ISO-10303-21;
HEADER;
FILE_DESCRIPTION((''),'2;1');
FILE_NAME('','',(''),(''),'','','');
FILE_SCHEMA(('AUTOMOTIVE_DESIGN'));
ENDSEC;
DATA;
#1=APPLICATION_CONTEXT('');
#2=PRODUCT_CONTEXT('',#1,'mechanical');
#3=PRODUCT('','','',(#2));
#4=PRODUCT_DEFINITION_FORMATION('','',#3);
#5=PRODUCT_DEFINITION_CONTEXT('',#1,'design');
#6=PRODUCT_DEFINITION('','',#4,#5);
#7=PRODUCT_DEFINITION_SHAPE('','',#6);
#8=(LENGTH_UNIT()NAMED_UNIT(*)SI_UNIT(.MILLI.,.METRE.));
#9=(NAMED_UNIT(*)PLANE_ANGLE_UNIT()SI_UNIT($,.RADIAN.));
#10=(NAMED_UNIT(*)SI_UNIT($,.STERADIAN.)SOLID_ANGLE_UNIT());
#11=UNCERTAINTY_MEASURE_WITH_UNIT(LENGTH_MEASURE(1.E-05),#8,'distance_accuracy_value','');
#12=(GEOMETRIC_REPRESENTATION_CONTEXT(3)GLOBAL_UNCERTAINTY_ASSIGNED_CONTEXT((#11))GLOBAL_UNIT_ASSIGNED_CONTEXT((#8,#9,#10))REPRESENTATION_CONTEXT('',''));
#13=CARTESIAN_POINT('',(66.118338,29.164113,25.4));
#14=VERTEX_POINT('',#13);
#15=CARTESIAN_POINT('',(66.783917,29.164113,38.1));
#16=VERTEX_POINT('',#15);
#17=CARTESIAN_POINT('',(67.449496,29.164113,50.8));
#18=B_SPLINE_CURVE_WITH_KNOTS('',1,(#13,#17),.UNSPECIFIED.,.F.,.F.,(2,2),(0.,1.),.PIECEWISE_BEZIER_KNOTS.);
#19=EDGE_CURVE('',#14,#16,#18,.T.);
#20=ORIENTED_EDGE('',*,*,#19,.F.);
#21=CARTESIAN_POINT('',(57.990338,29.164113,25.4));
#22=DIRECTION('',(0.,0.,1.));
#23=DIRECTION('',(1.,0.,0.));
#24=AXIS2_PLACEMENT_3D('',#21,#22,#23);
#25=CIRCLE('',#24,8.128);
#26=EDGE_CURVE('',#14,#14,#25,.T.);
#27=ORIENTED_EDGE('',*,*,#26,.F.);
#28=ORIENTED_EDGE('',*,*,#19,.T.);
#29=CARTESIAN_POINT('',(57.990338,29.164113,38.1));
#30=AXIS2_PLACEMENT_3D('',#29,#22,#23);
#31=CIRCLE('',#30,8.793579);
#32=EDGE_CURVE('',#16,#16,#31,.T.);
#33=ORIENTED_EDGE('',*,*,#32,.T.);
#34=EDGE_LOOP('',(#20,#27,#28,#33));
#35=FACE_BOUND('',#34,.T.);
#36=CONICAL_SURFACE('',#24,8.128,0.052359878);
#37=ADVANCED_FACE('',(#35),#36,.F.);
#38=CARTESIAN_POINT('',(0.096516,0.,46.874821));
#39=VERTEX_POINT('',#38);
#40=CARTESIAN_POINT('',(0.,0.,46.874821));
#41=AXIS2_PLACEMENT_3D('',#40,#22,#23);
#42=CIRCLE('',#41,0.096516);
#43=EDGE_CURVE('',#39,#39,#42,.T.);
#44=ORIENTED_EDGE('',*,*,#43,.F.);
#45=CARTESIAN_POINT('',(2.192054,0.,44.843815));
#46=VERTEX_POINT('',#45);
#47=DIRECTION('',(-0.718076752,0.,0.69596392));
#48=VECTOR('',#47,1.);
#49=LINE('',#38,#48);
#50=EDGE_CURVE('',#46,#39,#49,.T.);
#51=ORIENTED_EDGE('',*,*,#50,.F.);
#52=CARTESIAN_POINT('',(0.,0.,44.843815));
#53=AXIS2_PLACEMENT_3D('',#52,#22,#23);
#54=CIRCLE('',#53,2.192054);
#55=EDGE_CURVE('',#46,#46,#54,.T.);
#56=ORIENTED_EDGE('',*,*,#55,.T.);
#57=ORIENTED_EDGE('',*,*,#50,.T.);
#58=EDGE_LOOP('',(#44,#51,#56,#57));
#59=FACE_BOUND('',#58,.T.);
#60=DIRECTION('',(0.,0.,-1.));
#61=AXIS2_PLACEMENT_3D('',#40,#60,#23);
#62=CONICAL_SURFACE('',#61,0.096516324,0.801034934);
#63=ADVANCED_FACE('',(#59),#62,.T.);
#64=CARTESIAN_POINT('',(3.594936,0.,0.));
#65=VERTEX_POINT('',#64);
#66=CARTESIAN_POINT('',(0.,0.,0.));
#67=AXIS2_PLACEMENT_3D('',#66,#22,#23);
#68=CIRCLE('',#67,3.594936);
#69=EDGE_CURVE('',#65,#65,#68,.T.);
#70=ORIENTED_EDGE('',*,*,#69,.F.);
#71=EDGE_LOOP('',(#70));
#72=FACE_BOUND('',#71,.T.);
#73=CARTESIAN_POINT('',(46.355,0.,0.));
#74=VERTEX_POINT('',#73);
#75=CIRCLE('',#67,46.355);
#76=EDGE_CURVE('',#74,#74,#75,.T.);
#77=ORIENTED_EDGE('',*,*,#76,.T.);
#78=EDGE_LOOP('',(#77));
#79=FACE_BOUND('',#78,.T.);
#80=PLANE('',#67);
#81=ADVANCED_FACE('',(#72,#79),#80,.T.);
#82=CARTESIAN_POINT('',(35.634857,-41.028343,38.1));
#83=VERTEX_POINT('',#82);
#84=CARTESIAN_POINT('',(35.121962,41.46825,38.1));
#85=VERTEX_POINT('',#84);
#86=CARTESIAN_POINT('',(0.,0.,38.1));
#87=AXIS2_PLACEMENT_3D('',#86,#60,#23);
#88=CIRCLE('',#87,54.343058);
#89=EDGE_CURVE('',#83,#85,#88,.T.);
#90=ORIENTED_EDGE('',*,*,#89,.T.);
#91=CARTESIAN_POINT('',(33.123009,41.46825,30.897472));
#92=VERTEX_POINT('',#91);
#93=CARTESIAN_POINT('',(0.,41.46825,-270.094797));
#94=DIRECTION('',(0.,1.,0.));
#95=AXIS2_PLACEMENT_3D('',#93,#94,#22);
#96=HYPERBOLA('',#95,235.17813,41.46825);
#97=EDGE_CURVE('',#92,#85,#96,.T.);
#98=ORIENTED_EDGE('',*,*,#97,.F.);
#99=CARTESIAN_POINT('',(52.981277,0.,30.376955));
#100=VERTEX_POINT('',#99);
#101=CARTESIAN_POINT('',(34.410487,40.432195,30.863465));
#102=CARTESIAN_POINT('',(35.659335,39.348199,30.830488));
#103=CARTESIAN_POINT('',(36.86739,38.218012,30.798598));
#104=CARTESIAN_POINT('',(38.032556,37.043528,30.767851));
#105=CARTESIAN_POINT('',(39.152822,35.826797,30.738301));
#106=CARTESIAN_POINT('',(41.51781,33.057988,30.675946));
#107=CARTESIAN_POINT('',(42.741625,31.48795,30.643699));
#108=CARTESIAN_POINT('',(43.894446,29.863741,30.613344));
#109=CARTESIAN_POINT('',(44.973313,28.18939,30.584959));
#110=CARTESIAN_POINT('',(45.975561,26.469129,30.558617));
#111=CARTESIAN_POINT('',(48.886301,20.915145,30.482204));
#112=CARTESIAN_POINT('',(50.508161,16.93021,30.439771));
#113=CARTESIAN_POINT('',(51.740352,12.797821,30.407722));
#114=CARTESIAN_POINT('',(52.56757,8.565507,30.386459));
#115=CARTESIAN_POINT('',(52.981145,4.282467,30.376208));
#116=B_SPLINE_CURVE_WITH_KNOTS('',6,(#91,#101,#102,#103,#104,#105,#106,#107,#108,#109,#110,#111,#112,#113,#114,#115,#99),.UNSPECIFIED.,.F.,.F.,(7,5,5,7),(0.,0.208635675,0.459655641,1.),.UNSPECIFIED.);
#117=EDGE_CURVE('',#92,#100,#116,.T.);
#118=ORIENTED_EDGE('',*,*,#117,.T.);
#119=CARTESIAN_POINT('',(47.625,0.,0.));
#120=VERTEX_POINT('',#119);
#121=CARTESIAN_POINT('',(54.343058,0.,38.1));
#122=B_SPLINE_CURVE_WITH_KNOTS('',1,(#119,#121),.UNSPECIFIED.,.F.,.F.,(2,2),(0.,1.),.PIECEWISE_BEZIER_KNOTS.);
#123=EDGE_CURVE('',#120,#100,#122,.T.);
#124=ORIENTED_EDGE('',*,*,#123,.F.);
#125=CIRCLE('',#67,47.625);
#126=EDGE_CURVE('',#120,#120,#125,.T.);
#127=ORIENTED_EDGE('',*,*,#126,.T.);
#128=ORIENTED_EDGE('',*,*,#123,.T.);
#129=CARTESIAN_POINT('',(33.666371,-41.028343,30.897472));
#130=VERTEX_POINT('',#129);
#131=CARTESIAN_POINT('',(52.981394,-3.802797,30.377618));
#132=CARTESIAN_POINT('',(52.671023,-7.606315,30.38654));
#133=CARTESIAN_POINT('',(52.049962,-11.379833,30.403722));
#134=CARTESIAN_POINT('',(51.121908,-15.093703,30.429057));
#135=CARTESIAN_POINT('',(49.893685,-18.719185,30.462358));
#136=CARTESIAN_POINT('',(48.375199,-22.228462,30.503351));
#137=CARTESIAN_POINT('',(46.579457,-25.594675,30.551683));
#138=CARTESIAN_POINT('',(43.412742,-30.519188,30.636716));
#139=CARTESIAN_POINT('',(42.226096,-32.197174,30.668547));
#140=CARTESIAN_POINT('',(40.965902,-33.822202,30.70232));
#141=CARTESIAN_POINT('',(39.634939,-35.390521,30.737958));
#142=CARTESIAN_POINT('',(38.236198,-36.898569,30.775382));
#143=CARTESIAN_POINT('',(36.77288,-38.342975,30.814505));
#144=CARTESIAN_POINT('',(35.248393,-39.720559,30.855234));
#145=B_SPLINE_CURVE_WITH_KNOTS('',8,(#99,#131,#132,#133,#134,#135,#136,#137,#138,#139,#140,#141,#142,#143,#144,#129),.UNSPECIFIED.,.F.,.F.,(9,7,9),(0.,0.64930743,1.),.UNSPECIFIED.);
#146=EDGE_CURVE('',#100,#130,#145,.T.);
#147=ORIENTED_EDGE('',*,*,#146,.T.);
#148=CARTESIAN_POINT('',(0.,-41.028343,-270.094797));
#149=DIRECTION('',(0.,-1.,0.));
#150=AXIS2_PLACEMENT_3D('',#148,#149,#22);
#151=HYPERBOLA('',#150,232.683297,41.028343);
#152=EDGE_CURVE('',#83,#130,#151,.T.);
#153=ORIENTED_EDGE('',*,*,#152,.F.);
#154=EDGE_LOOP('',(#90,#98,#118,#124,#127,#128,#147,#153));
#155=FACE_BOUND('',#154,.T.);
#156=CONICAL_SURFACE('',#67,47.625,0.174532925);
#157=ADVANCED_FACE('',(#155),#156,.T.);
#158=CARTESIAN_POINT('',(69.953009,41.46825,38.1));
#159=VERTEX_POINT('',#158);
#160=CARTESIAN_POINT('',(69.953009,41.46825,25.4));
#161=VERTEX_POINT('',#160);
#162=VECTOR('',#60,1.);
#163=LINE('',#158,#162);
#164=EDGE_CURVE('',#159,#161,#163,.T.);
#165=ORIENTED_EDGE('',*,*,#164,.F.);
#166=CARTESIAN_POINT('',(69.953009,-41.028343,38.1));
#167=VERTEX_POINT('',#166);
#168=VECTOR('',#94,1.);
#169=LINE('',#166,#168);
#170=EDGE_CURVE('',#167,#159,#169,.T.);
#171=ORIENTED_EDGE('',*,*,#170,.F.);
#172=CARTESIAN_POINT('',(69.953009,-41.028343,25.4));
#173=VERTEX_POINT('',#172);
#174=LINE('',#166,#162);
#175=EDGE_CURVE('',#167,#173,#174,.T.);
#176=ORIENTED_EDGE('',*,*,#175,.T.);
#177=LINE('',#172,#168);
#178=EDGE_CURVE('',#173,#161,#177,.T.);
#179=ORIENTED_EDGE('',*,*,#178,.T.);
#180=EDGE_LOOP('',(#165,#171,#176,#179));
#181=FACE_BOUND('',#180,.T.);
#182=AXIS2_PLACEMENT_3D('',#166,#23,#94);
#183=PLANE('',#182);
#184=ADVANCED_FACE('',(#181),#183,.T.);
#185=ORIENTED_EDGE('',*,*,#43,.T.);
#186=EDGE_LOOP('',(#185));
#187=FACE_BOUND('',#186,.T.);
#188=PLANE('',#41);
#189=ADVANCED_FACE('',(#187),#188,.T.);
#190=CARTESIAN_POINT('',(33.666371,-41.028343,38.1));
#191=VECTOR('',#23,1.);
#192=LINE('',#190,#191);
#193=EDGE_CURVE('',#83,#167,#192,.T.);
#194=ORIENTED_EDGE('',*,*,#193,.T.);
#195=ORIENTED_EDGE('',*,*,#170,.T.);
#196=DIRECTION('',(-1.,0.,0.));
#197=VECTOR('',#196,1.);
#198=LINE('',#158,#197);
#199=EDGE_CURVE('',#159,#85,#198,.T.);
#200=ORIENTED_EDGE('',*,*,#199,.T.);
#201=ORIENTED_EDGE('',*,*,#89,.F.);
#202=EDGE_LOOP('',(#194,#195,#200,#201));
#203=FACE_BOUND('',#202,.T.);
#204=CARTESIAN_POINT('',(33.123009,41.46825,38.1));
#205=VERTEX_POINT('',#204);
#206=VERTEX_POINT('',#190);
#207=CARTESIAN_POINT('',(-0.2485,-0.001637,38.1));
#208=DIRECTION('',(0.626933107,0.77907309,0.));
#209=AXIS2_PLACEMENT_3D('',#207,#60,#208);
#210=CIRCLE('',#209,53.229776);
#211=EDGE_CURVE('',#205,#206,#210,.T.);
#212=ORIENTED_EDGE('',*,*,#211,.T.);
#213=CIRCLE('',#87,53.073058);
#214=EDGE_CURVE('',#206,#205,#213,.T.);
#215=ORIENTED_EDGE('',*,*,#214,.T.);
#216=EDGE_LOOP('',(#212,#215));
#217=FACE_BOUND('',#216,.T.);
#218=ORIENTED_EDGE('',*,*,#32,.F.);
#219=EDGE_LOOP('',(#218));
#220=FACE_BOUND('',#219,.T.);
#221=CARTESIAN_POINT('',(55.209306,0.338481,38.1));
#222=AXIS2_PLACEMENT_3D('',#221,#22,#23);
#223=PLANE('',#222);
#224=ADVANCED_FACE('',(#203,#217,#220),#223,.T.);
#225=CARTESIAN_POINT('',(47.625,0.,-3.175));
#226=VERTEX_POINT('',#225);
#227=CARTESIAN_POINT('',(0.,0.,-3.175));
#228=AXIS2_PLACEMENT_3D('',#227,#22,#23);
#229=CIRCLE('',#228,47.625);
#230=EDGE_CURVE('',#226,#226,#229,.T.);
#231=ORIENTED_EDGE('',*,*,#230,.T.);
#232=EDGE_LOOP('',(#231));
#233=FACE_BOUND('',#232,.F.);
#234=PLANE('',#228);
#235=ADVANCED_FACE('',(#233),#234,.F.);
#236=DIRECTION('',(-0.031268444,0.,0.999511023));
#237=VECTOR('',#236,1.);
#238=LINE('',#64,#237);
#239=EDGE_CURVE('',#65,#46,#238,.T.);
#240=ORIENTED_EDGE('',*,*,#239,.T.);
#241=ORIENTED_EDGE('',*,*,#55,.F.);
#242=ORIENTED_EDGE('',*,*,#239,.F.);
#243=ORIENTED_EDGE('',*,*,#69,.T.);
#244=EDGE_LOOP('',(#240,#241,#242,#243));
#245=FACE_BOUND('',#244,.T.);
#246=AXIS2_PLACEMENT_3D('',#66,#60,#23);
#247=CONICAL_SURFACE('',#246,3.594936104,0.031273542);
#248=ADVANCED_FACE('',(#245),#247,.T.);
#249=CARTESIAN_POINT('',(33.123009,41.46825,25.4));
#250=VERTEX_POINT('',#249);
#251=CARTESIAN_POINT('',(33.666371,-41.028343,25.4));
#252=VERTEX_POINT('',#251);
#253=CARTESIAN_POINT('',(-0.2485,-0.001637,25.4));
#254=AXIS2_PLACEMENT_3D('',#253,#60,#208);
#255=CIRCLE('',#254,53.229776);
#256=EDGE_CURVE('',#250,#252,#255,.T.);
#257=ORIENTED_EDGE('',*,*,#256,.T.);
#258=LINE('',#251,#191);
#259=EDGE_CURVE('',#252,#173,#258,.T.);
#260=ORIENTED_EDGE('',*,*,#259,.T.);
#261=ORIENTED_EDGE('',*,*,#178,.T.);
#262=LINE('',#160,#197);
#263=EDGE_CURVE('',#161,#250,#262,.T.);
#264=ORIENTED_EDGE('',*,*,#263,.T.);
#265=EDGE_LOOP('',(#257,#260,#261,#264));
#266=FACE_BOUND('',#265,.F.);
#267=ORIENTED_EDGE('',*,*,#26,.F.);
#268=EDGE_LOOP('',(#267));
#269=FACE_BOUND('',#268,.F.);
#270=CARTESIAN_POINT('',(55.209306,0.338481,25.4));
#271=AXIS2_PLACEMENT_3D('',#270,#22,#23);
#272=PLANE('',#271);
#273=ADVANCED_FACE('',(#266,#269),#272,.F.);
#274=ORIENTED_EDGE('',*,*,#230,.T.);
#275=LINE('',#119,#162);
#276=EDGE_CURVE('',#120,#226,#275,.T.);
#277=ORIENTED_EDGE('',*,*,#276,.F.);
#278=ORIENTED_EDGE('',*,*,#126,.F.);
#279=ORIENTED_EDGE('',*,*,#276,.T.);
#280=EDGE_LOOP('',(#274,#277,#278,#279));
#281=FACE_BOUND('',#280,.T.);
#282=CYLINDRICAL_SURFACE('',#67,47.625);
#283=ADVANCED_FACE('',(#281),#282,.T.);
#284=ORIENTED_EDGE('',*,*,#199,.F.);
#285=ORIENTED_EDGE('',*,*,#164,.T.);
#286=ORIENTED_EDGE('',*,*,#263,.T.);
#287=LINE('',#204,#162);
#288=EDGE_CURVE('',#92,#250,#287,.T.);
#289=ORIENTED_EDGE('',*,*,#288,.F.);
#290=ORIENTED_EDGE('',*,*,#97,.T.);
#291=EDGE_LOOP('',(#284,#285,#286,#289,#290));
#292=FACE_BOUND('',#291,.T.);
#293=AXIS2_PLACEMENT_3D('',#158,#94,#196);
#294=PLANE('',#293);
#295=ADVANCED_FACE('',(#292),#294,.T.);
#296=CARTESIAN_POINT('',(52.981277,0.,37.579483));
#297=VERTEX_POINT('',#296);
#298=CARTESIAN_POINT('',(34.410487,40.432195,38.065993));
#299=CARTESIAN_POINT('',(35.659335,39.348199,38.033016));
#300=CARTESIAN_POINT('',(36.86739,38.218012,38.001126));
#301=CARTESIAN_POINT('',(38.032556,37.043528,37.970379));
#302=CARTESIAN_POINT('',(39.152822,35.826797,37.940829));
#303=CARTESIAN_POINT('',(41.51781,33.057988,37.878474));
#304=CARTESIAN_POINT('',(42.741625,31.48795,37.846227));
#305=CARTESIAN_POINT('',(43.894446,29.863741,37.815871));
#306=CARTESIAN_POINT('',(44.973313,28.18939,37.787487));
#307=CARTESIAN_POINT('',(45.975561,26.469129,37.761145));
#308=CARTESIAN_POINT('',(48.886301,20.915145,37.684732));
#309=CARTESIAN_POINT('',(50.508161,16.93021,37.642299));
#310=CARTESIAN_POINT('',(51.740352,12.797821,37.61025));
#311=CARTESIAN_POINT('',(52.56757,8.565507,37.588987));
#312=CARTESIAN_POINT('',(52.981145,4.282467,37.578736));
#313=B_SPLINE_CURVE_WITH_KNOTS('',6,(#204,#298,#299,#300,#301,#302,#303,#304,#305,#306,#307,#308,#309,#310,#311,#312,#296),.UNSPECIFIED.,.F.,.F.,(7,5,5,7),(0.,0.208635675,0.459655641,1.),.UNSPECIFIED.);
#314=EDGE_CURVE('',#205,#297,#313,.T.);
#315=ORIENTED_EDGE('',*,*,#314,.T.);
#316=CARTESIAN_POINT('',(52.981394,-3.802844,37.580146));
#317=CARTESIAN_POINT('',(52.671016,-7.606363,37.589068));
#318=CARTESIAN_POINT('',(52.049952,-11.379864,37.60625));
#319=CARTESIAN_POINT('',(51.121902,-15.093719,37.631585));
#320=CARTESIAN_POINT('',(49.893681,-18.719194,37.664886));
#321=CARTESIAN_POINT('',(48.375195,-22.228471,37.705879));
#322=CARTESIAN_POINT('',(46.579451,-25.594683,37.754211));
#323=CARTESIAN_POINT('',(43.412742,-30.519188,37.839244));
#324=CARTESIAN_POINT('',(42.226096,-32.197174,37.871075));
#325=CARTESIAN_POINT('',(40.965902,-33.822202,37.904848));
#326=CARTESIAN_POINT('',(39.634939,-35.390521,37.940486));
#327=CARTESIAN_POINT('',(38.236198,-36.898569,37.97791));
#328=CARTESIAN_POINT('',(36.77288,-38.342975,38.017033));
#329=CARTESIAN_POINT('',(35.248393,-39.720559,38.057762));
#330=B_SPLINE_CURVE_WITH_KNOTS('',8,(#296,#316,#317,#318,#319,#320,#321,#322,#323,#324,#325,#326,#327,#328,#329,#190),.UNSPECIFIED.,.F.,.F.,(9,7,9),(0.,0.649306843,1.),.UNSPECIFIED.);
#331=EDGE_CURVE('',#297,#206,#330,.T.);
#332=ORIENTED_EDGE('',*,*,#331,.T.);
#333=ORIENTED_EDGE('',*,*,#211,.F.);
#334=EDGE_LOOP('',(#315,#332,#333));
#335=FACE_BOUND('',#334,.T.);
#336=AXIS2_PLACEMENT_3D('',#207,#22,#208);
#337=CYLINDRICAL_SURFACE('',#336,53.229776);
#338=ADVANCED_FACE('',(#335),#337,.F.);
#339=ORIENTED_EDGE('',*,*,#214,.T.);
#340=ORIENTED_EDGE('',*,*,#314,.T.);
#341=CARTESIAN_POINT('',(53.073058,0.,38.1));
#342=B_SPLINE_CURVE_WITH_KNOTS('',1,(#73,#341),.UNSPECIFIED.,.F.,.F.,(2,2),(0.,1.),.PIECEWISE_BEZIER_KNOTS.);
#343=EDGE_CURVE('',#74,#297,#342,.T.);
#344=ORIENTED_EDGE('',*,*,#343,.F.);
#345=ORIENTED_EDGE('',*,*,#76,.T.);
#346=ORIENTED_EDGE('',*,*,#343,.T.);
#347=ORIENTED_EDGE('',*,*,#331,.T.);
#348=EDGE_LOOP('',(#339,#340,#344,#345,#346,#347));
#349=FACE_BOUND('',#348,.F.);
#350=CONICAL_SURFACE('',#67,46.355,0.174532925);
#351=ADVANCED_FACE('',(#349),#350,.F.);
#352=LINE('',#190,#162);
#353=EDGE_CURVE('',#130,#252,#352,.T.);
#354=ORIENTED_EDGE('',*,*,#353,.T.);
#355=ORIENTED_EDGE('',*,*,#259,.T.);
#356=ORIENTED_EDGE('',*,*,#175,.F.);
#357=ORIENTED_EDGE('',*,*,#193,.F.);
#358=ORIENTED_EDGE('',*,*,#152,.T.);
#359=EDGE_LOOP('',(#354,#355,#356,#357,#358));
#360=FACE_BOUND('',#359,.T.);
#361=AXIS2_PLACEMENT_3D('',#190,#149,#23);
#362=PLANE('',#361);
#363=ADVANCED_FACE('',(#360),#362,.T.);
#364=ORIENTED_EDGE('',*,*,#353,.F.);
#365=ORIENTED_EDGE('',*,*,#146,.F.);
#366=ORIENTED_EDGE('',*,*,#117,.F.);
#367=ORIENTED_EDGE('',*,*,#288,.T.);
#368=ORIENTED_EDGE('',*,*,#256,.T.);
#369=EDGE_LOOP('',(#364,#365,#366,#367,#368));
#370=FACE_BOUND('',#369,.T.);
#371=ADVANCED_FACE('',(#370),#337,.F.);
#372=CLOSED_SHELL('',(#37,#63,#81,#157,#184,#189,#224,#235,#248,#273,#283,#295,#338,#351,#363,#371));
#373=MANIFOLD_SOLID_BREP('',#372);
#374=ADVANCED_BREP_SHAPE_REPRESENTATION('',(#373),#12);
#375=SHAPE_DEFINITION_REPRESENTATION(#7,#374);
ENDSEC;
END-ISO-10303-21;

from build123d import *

# Parameters (mm, degrees)
F0_R      = 47.625
F1_DEPTH  = 38.1
F1_TAPER  = -10
F2_R      = 46.355
F3_DEPTH  = 38.1
F3_TAPER  = -10
F4_DEPTH  = 3.175
F7_SIZE   = 2.032
F9_DEPTH  = 12.7
F10_R     = 8.128
F11_DEPTH = 25.4
F11_TAPER = -3


with BuildPart() as f1:
    # F0 (on Top) → F1 (new body)
    with BuildSketch(Plane.XY):
        Circle(F0_R)
    extrude(amount=F1_DEPTH, taper=F1_TAPER)

    # F2 (on Top) → F3 (cut)
    with BuildSketch(Plane.XY):
        Circle(F2_R)
    extrude(amount=F3_DEPTH, taper=F3_TAPER, mode=Mode.SUBTRACT)

    # F0 (on Top) → F4 (join)
    with BuildSketch(Plane.XY):
        Circle(F0_R)
    extrude(amount=-F4_DEPTH)

    # F5 (on Front) → F6 (revolve)
    with BuildSketch(Plane.XZ):
        Polygon((0, 46.8748211861), (0, 0), (3.5949361045, 0), (2.1285163239, 46.8748211861), align=None)
    revolve(axis=Axis((0, 0, 0), (0, 0, 1)))

    # F7
    f7_edges = [f1.edges().sort_by_distance(p)[0] for p in [
        (-2.128516, 0, 46.874821),
    ]]
    chamfer(f7_edges, length=F7_SIZE)

    # F8 (on face) → F9 (join)
    with BuildSketch(Plane.XY.offset(38.1)):
        with BuildLine():
            Line((69.9530094796, 41.4682495986), (33.1230094796, 41.4682495986))
            ThreePointArc((33.1230094796, 41.4682495986), (52.9801221963, 0.348952149), (33.6663710675, -41.0283431411))
            Line((33.6663710675, -41.0283431411), (69.9530094796, -41.0283431411))
            Line((69.9530094796, -41.0283431411), (69.9530094796, 41.4682495986))
        make_face()
    extrude(amount=-F9_DEPTH)

    # F10 (on face) → F11 (cut)
    with BuildSketch(Plane(origin=(0, 0, 25.4), x_dir=(1, 0, 0), z_dir=(0, 0, -1))):
        with Locations((57.9903379162, -29.164113198)):
            Circle(F10_R)
    extrude(amount=-F11_DEPTH, taper=F11_TAPER, mode=Mode.SUBTRACT)


solid = f1.part
